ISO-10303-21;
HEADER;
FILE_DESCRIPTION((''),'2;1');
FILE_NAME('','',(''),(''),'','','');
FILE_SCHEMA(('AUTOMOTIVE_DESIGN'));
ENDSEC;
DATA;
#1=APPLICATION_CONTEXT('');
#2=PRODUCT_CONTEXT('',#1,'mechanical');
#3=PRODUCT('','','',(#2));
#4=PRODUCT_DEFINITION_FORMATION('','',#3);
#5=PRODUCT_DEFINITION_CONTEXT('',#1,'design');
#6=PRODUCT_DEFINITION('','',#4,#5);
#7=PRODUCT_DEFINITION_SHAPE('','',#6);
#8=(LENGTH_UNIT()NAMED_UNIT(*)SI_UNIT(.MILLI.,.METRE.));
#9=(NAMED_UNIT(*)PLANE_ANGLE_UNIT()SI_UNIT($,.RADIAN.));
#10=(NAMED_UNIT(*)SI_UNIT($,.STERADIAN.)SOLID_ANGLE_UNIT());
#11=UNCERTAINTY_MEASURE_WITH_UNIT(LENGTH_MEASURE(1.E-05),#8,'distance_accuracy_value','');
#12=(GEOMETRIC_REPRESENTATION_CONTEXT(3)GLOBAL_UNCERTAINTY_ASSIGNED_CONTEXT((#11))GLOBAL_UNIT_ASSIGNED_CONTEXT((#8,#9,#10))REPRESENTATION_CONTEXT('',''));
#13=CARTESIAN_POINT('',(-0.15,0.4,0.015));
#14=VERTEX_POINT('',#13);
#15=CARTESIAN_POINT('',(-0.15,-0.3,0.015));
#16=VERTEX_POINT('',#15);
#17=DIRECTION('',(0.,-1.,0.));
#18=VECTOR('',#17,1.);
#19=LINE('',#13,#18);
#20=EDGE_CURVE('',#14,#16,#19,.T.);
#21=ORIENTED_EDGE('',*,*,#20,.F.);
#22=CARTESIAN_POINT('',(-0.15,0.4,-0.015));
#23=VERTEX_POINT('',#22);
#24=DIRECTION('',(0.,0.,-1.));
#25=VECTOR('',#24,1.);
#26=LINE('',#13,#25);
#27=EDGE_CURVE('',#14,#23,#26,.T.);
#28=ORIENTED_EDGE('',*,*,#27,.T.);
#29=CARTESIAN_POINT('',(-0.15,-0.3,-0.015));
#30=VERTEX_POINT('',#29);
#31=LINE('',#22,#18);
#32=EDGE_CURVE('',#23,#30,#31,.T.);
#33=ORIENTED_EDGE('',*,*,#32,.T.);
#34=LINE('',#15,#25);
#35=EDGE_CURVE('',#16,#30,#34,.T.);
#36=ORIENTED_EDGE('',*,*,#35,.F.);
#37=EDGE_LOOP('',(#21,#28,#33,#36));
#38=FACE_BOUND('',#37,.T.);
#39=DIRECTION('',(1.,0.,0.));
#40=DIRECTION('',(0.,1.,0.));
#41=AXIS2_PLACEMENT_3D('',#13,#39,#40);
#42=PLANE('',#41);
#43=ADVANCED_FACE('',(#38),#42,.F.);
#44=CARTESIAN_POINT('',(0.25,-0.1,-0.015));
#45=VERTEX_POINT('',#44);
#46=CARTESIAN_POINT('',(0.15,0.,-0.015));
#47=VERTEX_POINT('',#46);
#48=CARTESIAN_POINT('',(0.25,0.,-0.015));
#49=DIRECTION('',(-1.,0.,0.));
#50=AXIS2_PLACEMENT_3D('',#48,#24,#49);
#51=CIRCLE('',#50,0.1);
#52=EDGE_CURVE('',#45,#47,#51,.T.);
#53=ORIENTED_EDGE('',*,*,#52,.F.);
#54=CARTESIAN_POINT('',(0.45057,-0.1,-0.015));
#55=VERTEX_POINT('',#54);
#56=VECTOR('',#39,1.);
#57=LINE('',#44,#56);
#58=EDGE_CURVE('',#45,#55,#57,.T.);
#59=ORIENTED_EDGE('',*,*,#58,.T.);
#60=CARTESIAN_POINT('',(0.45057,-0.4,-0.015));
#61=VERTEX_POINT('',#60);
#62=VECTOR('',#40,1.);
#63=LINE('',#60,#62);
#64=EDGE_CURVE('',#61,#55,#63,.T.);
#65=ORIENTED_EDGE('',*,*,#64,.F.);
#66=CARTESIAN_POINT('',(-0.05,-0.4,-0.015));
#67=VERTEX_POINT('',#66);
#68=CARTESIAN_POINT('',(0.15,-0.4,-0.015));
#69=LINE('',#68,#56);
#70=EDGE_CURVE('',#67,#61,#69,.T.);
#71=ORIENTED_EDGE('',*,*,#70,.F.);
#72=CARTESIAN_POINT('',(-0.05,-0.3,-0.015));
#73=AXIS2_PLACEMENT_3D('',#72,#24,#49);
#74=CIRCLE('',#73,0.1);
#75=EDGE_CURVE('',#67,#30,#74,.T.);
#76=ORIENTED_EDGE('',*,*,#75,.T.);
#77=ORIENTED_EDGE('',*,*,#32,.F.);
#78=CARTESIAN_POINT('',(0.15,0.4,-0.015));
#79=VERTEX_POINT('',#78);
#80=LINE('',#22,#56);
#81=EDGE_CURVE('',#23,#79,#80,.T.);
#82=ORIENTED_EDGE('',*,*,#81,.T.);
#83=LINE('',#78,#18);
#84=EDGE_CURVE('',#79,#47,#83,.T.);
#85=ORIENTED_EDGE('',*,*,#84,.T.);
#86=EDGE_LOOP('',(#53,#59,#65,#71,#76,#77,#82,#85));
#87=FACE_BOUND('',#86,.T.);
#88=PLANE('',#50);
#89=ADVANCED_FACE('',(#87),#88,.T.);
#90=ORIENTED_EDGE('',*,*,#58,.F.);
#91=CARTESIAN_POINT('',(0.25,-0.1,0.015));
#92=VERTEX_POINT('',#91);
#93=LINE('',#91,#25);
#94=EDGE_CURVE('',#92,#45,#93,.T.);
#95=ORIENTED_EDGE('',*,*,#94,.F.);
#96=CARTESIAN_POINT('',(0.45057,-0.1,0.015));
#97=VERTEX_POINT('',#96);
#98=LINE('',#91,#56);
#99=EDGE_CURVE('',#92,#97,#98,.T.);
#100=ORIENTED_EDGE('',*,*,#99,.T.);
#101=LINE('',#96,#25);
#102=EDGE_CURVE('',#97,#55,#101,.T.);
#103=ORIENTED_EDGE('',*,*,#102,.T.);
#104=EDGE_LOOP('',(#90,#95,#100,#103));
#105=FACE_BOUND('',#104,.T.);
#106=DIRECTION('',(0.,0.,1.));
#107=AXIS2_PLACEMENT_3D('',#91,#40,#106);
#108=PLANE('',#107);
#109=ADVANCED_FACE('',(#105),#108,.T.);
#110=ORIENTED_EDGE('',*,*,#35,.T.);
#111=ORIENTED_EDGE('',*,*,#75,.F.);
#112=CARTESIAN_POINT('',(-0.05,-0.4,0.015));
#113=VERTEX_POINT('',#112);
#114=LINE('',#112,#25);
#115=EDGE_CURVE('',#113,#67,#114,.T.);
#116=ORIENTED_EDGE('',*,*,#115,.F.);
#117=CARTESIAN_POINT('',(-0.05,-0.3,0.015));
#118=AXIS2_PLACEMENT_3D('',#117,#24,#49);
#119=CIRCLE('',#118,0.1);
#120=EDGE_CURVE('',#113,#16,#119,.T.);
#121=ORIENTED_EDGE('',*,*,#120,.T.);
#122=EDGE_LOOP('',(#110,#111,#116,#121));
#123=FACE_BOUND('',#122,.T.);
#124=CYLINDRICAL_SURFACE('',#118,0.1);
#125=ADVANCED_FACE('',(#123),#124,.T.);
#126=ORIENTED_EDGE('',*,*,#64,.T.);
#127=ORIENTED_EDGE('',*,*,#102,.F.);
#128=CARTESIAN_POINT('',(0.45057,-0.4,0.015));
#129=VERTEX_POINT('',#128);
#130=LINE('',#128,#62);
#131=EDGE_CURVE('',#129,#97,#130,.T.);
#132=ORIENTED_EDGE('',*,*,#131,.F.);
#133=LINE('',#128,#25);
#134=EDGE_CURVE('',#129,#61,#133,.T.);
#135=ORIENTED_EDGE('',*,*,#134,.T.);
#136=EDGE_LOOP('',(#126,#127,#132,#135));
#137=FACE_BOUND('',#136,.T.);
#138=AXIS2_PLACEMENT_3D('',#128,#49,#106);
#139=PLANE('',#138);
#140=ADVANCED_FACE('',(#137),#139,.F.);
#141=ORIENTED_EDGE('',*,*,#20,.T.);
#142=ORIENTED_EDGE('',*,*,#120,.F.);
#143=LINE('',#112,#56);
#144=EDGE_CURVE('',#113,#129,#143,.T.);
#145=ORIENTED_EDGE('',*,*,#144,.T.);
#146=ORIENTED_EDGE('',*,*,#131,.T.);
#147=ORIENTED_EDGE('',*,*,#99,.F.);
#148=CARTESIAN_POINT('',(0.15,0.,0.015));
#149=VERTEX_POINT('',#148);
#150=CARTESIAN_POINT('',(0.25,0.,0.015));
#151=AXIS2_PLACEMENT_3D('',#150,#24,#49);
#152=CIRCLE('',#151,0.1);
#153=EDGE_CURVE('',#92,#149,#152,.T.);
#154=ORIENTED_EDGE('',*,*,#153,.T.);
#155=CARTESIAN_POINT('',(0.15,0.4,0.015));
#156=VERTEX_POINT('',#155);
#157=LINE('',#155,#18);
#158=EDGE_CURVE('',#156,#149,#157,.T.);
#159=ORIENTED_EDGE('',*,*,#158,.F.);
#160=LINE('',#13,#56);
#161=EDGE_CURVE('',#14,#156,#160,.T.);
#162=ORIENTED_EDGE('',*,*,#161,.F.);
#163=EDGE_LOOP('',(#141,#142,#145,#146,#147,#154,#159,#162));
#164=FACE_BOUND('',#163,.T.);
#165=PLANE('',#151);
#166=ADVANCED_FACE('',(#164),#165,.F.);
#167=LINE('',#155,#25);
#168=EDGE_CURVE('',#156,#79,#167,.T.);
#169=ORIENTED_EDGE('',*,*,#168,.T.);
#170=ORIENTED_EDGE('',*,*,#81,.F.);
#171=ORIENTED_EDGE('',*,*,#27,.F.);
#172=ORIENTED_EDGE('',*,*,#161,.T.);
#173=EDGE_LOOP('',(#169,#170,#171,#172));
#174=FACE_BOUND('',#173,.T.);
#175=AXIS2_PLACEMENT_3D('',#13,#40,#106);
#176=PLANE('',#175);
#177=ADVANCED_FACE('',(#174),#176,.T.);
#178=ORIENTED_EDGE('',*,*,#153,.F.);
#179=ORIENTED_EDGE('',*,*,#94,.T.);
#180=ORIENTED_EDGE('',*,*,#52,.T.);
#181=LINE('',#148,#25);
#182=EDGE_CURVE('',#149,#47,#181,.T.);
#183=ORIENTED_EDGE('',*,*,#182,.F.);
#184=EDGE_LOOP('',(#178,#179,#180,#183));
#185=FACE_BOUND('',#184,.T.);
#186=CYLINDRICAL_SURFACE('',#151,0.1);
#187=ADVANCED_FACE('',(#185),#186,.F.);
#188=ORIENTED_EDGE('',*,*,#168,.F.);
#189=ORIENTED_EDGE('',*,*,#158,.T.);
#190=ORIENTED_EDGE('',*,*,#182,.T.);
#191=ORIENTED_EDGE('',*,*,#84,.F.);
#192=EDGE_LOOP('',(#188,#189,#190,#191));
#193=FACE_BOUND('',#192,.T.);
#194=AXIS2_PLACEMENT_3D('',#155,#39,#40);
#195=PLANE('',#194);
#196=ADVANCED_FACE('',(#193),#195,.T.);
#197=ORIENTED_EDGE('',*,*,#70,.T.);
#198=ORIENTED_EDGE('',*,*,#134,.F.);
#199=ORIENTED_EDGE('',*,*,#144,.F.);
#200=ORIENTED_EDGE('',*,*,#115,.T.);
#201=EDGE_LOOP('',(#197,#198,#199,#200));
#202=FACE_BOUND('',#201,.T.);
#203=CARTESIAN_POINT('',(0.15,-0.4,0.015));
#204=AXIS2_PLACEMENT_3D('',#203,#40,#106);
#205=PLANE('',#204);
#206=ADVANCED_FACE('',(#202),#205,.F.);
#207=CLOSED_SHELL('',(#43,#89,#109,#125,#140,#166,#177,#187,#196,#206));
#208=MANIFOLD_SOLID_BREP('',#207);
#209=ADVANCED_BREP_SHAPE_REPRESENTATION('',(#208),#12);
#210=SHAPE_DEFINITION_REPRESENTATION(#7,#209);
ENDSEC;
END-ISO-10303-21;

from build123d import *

# Parameters (mm, degrees)
BOSS_EXTRUDE2_DEPTH = 0.015


with BuildPart() as part:
    # Sketch3 → Boss-Extrude2 (new, symmetric)
    with BuildSketch(Plane.XY):
        with BuildLine():
            Line((0.15, 0.4), (0.15, 0))
            ThreePointArc((0.15, 0), (0.179289322, -0.070710678), (0.25, -0.1))
            Line((0.25, -0.1), (0.450569691, -0.1))
            Line((0.450569691, -0.1), (0.450569691, -0.4))
            Line((0.450569691, -0.4), (0.15, -0.4))
            Line((0.15, -0.4), (-0.05, -0.4))
            ThreePointArc((-0.05, -0.4), (-0.120710678, -0.370710678), (-0.15, -0.3))
            Line((-0.15, -0.3), (-0.15, 0.4))
            Line((-0.15, 0.4), (0.15, 0.4))
        make_face()
    extrude(amount=BOSS_EXTRUDE2_DEPTH, both=True)


solid = part.part
